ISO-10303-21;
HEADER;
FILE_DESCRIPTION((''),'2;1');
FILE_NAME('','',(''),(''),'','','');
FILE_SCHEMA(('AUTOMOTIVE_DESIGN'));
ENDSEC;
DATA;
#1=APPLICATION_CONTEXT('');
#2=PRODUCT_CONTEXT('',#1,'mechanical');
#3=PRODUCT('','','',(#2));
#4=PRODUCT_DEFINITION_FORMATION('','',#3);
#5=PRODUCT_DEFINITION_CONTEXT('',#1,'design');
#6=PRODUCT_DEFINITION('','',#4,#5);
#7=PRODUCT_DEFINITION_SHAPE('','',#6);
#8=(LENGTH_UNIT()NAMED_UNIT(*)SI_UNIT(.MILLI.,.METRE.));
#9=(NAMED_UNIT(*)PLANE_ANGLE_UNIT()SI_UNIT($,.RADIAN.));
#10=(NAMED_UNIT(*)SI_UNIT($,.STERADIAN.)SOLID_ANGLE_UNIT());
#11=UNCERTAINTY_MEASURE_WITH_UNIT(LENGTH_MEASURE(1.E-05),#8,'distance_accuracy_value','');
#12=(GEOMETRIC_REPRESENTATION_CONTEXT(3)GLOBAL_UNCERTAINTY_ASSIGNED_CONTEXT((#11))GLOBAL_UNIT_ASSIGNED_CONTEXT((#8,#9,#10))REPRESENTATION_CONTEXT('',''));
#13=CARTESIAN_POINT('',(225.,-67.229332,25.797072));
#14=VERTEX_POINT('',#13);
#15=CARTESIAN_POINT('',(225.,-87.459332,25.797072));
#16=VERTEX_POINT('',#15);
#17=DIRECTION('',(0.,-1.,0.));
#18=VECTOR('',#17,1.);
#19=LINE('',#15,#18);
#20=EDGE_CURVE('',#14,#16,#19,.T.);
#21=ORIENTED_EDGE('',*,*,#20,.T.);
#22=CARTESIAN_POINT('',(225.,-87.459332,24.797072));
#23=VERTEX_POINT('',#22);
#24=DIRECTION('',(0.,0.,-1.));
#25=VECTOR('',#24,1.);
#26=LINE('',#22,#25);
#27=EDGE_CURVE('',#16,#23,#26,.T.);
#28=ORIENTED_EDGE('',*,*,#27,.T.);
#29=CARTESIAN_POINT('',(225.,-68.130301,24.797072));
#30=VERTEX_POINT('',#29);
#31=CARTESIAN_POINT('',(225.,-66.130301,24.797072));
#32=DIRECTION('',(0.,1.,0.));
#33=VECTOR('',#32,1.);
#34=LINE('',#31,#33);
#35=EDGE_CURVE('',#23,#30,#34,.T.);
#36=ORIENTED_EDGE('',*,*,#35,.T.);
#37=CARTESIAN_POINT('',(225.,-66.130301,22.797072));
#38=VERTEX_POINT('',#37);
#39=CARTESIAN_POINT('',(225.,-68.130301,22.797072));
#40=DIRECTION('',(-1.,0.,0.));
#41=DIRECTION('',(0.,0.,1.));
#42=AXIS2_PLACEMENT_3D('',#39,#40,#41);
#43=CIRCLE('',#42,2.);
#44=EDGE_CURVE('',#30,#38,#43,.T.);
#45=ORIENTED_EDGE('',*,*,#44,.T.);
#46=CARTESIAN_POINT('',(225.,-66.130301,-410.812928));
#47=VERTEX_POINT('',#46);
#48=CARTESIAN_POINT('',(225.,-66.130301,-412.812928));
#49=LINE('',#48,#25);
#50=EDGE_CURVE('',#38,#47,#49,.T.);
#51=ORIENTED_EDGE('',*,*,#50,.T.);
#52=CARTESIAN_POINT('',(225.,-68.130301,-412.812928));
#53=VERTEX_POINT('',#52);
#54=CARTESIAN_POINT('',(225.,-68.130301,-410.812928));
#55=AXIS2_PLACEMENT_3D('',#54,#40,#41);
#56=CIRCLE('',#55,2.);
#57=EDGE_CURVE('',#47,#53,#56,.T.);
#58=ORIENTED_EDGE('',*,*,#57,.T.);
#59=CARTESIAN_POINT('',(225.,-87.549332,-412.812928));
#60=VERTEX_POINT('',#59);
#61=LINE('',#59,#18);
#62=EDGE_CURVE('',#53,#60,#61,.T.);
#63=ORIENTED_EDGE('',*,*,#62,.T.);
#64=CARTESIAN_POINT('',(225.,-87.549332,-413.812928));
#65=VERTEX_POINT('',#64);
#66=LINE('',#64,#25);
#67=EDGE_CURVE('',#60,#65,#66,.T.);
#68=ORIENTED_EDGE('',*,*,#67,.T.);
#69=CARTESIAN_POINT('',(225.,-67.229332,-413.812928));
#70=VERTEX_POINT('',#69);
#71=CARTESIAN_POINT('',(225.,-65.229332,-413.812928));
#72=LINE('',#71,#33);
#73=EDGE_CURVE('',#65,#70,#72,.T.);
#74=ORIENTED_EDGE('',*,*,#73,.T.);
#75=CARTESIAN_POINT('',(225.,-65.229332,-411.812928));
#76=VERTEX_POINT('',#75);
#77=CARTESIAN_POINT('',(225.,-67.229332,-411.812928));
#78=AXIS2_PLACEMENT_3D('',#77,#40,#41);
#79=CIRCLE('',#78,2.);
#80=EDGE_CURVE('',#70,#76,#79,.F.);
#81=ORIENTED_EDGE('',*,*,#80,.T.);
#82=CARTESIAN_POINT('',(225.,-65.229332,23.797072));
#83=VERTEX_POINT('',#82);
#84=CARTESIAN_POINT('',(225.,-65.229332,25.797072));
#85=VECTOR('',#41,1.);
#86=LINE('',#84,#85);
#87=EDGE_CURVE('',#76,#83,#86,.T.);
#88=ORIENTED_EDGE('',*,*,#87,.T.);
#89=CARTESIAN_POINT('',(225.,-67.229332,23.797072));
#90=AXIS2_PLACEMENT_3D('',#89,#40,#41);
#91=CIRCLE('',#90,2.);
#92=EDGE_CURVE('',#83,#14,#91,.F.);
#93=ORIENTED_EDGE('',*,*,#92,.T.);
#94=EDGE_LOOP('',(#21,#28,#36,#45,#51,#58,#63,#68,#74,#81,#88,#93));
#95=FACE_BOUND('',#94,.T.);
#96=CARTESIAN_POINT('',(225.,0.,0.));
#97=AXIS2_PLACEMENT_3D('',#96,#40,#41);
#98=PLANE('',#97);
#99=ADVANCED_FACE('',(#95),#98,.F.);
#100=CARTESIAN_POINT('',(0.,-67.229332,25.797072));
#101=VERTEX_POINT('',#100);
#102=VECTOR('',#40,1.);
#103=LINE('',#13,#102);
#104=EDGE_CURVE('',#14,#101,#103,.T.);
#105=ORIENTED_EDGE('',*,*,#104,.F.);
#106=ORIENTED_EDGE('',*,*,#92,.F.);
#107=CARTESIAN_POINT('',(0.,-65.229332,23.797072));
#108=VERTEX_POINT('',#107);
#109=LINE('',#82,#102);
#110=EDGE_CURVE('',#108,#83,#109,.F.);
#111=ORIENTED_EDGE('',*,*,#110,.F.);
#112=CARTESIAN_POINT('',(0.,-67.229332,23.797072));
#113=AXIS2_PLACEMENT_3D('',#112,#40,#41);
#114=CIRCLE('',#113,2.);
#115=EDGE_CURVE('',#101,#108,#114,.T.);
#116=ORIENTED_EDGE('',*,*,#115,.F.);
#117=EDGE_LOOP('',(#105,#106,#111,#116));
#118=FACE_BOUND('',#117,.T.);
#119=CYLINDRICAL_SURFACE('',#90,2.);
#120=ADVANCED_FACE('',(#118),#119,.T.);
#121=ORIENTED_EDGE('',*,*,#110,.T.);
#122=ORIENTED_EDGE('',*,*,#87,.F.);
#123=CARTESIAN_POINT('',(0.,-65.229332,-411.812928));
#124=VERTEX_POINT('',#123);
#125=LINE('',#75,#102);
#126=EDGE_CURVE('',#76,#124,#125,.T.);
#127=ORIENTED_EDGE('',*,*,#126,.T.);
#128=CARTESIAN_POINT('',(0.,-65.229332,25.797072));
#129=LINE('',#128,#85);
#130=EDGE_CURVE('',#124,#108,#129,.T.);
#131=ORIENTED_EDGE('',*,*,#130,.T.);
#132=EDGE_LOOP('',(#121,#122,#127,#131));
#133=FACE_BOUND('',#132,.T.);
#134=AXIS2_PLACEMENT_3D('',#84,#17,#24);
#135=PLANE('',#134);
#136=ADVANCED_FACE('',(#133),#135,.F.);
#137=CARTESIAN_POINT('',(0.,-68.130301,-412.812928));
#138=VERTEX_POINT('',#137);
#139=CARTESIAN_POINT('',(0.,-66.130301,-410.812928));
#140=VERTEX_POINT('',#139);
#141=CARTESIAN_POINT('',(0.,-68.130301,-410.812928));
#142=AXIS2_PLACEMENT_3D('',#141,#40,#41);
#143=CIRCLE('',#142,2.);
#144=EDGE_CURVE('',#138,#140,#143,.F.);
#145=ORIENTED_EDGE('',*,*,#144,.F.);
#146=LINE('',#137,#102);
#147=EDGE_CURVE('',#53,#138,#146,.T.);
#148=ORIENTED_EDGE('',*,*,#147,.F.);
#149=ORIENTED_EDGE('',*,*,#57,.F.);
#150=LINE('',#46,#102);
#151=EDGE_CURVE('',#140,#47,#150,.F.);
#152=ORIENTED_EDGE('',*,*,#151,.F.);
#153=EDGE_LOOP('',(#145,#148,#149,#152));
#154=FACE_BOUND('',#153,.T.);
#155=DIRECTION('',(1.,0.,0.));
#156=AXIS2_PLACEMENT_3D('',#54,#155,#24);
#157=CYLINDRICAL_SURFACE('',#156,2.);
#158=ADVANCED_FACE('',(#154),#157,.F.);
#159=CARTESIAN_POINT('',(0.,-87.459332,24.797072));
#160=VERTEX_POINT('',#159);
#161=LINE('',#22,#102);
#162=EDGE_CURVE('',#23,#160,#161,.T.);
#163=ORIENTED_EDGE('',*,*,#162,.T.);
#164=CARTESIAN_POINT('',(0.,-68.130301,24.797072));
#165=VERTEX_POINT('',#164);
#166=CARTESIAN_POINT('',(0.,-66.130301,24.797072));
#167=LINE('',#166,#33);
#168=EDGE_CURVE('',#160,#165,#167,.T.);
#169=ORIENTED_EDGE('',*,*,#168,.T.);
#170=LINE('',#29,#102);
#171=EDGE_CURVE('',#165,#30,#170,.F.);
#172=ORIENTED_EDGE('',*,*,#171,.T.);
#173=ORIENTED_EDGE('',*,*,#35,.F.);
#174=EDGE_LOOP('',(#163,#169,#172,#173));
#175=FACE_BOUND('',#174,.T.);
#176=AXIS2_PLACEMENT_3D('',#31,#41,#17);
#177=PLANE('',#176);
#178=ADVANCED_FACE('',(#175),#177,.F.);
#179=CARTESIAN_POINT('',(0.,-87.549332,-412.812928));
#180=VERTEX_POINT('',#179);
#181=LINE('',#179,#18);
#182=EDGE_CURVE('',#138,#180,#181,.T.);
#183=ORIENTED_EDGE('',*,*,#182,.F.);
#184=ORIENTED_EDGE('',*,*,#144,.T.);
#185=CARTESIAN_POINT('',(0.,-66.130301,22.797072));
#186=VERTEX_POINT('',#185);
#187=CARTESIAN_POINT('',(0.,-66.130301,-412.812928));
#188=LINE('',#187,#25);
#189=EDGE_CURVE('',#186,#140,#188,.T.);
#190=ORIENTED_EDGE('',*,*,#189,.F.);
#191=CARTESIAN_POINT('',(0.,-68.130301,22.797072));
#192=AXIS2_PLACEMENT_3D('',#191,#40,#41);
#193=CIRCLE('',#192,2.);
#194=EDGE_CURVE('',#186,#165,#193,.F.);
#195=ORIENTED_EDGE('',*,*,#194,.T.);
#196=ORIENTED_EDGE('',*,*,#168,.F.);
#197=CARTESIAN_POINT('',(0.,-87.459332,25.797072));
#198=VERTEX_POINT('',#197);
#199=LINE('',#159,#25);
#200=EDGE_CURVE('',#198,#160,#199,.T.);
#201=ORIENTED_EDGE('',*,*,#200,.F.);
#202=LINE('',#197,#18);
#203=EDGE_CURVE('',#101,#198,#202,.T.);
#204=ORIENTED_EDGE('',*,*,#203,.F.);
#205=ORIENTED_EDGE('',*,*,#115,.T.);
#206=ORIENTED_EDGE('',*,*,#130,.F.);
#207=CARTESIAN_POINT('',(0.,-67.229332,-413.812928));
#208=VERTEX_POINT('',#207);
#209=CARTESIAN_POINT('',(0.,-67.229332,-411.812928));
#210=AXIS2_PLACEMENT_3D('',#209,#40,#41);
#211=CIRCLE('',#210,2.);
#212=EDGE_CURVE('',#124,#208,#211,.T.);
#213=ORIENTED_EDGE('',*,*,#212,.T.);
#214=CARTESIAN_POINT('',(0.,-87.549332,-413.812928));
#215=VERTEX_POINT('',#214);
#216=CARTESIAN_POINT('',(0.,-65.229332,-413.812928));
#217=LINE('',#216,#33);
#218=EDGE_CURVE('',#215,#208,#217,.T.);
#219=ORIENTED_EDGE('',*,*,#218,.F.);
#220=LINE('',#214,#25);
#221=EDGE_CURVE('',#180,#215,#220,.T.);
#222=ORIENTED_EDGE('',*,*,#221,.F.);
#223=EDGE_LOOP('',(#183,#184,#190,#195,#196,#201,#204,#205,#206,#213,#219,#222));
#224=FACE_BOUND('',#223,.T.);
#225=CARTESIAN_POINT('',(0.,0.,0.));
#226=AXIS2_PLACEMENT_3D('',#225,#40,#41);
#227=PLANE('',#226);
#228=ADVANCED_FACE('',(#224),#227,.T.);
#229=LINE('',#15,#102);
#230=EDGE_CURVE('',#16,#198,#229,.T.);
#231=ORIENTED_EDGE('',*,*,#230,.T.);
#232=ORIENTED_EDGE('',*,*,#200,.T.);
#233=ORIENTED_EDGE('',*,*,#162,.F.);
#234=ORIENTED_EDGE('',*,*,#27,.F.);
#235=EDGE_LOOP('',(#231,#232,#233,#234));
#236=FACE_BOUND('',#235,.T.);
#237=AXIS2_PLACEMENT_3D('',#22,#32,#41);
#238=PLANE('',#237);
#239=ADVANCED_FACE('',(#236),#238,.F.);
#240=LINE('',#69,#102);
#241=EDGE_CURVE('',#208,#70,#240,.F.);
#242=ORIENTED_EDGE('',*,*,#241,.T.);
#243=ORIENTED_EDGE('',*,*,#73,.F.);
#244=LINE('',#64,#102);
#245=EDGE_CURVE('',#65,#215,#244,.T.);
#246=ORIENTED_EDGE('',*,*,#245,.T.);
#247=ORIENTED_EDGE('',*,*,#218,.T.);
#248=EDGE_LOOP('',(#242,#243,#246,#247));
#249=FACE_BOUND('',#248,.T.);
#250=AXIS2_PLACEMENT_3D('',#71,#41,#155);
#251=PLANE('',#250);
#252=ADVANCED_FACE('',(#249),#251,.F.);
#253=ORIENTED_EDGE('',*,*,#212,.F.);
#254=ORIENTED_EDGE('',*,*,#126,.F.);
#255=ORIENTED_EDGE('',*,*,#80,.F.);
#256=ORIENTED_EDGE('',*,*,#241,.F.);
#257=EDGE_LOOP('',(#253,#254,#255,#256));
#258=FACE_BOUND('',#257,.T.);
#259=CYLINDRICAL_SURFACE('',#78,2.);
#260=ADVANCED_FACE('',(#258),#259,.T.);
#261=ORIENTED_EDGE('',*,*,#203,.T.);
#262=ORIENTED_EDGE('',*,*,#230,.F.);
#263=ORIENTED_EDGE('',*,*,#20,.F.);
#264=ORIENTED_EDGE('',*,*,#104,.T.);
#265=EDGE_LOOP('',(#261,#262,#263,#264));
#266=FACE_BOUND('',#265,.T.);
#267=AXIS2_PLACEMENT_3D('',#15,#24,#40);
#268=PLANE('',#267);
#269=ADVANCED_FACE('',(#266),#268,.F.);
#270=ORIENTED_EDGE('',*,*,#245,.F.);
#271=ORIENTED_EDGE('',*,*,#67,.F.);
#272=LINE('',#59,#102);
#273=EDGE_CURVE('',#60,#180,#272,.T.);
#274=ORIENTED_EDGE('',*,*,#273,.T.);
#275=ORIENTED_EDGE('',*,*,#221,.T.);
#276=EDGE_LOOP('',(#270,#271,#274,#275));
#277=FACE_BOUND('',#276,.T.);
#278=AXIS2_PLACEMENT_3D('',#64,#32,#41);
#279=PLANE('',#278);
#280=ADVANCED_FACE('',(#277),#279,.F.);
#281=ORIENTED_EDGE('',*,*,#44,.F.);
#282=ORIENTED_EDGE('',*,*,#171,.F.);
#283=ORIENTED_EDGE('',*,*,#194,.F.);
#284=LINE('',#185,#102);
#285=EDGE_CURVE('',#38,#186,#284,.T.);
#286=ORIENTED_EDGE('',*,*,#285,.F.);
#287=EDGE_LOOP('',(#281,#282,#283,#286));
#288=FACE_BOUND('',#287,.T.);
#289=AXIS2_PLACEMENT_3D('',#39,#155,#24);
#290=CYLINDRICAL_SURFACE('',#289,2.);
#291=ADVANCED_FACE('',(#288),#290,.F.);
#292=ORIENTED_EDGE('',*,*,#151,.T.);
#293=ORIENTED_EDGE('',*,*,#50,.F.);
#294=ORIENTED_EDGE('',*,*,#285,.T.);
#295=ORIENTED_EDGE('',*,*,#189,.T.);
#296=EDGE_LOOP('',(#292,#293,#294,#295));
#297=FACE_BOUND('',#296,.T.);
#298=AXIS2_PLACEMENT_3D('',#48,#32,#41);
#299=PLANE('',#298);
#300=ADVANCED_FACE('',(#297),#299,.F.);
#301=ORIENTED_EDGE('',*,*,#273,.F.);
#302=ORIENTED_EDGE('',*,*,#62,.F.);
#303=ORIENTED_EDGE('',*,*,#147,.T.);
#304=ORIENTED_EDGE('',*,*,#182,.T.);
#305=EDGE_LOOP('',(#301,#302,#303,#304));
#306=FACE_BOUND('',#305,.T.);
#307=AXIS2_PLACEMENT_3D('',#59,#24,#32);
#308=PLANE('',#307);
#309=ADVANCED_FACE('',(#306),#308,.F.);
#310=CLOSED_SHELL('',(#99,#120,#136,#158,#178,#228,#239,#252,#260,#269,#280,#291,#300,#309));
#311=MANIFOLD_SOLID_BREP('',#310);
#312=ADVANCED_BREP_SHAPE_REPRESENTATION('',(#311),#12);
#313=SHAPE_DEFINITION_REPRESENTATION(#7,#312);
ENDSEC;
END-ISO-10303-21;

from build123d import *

# Parameters (mm, degrees)
BOSS_EXTRUDE1_DEPTH = 225
FILLET1_R           = 2
FILLET2_R           = 2


with BuildPart() as part:
    # Sketch1 → Boss-Extrude1 (new body)
    with BuildSketch(Plane(origin=(0, 0, 0), x_dir=(0, 0, -1), z_dir=(1, 0, 0))):
        Polygon((-25.797072277, -87.459332388), (-25.797072277, -65.229332388), (413.812927723, -65.229332388), (413.812927723, -87.549332388), (412.812927723, -87.549332388), (412.812927723, -66.130301409), (-24.797072277, -66.130301409), (-24.797072277, -87.459332388), align=None)
    extrude(amount=BOSS_EXTRUDE1_DEPTH)

    # Fillet1
    fillet1_edges = [part.edges().sort_by_distance(p)[0] for p in [
        (112.5, -65.229332388, 25.797072277),
        (112.5, -65.229332388, -413.812927723),
    ]]
    fillet(fillet1_edges, radius=FILLET1_R)

    # Fillet2
    fillet2_edges = [part.edges().sort_by_distance(p)[0] for p in [
        (112.5, -66.130301409, -412.812927723),
        (112.5, -66.130301409, 24.797072277),
    ]]
    fillet(fillet2_edges, radius=FILLET2_R)


solid = part.part
